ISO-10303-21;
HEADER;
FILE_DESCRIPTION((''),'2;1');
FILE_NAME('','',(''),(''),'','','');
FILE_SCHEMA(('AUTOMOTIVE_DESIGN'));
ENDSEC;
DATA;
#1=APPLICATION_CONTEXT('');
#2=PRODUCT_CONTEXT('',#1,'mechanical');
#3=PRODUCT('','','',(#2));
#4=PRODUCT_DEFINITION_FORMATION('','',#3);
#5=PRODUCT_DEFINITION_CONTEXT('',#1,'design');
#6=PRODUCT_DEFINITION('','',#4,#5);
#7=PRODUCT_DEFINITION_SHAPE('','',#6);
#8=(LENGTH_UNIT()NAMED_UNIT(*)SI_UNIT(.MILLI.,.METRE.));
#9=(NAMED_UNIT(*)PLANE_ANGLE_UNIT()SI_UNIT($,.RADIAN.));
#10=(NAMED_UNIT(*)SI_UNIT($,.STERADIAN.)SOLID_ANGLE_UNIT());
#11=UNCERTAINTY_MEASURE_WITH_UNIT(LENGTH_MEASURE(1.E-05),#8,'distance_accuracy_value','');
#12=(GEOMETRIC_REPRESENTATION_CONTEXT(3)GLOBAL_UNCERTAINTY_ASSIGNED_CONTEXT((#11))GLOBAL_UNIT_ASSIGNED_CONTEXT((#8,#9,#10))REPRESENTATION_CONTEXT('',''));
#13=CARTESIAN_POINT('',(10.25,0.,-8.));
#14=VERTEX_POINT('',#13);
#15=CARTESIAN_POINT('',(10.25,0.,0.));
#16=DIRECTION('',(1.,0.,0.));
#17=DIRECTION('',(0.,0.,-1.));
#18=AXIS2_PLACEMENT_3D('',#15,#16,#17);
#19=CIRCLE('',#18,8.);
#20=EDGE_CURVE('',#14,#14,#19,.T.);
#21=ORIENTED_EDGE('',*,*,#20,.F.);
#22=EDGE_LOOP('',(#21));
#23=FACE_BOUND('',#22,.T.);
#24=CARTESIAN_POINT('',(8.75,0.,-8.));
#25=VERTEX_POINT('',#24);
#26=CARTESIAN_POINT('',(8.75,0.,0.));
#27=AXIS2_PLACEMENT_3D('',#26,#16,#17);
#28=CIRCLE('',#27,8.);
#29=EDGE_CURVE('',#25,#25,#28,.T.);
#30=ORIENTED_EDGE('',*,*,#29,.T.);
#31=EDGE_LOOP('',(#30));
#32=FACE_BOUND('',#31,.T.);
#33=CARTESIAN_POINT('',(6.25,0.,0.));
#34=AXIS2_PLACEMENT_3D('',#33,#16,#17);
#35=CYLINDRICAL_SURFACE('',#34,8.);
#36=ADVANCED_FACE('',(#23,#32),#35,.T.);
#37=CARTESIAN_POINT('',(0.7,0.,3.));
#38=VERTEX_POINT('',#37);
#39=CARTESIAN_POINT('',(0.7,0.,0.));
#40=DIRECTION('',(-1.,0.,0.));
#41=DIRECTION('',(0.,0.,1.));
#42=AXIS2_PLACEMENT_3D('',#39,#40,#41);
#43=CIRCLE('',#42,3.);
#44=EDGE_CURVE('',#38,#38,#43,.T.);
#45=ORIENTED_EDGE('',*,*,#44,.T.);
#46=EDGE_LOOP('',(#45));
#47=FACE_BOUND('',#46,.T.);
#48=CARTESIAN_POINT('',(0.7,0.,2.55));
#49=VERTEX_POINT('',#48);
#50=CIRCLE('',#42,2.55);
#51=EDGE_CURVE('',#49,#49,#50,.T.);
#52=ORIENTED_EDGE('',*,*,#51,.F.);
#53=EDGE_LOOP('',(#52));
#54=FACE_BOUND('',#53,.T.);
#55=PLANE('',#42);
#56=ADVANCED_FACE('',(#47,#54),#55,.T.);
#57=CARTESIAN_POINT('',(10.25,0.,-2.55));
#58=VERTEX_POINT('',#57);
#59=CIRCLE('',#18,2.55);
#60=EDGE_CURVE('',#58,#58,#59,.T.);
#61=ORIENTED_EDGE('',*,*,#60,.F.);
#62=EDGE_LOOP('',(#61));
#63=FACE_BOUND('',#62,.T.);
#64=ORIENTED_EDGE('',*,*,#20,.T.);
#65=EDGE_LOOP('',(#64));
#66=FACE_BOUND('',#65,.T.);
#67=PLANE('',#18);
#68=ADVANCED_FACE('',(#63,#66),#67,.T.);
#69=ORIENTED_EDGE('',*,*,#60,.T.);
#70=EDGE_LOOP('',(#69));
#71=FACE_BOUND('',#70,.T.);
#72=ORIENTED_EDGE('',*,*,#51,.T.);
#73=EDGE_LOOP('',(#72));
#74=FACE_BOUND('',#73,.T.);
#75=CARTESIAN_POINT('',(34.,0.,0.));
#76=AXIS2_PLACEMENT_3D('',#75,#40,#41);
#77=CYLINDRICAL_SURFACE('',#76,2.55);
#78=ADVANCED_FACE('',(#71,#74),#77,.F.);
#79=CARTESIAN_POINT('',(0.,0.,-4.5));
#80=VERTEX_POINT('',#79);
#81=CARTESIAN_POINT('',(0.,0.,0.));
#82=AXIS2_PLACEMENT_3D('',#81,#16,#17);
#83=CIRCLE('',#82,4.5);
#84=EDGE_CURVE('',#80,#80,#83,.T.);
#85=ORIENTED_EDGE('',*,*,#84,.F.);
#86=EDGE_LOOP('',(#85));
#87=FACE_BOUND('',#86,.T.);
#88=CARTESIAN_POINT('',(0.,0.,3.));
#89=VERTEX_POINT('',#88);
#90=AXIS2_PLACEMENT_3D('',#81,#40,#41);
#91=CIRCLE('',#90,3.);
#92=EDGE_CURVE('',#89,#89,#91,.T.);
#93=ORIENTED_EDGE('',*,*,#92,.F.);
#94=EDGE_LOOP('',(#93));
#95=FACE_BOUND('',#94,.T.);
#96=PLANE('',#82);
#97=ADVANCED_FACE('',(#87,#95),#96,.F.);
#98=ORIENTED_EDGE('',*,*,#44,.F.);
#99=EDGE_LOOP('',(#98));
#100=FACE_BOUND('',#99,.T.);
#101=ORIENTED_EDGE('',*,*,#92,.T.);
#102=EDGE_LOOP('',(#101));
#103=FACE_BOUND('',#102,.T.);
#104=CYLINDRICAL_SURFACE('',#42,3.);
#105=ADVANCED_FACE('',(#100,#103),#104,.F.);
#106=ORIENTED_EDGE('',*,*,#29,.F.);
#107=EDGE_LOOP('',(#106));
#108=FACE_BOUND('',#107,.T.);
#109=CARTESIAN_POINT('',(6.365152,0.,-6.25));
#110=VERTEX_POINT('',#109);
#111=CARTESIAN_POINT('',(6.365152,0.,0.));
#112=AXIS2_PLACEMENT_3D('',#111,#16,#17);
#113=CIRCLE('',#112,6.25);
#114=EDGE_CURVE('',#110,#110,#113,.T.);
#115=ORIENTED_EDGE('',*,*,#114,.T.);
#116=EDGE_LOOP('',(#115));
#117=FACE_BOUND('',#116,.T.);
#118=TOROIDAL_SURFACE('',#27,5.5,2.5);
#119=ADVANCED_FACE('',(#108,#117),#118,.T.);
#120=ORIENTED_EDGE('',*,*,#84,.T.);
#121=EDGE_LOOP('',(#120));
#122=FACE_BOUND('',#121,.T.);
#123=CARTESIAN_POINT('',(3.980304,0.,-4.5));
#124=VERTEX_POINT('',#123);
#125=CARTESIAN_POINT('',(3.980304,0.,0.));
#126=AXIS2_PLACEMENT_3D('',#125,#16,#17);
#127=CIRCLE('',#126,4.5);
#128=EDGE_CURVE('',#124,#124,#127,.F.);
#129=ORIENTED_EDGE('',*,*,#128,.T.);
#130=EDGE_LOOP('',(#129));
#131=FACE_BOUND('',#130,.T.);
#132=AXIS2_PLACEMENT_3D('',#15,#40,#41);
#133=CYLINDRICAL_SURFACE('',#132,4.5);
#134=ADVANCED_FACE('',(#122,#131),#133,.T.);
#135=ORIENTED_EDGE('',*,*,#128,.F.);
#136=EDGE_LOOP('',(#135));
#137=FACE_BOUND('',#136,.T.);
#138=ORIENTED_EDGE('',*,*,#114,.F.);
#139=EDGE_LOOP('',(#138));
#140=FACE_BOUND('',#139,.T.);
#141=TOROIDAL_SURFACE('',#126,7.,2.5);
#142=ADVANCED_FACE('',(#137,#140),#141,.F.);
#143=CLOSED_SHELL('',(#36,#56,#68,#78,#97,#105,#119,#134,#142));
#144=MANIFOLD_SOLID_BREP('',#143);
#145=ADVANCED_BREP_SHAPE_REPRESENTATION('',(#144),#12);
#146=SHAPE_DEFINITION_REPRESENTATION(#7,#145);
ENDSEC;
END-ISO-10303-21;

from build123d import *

# Parameters (mm, degrees)
SKETCH1_R           = 4.5
BOSS_EXTRUDE1_DEPTH = 10.25
SKETCH3_R           = 2.55
CUT_EXTRUDE1_DEPTH  = 34
BOSS_EXTRUDE2_START = -4
SKETCH4_R           = 8
SKETCH4_R_2         = 4.5
BOSS_EXTRUDE2_DEPTH = 4
FILLET1_R           = 2.5
FILLET2_R           = 2.5
SKETCH5_R           = 3
SKETCH5_R_2         = 2.55
CUT_EXTRUDE2_DEPTH  = 0.7


with BuildPart() as part:
    # Sketch1 → Boss-Extrude1 (new body)
    with BuildSketch(Plane(origin=(0, 0, 0), x_dir=(0, 0, -1), z_dir=(1, 0, 0))):
        Circle(SKETCH1_R)
    extrude(amount=BOSS_EXTRUDE1_DEPTH)

    # Sketch3 → Cut-Extrude1 (cut)
    with BuildSketch(Plane.ZY):
        Circle(SKETCH3_R)
    extrude(amount=-CUT_EXTRUDE1_DEPTH, mode=Mode.SUBTRACT)

    # Sketch4 → Boss-Extrude2 (add)
    with BuildSketch(Plane(origin=(10.25, 0, 0), x_dir=(0, 0, -1), z_dir=(1, 0, 0)).offset(BOSS_EXTRUDE2_START)):
        Circle(SKETCH4_R)
        Circle(SKETCH4_R_2, mode=Mode.SUBTRACT)
    extrude(amount=BOSS_EXTRUDE2_DEPTH)

    # Fillet1
    fillet1_edges = [part.edges().sort_by_distance(p)[0] for p in [
        (6.25, 0, 8),
    ]]
    fillet(fillet1_edges, radius=FILLET1_R)

    # Fillet2
    fillet2_edges = [part.edges().sort_by_distance(p)[0] for p in [
        (6.25, 0, 4.5),
    ]]
    fillet(fillet2_edges, radius=FILLET2_R)

    # Sketch5 → Cut-Extrude2 (cut)
    with BuildSketch(Plane.ZY):
        Circle(SKETCH5_R)
        Circle(SKETCH5_R_2, mode=Mode.SUBTRACT)
    extrude(amount=-CUT_EXTRUDE2_DEPTH, mode=Mode.SUBTRACT)


solid = part.part
